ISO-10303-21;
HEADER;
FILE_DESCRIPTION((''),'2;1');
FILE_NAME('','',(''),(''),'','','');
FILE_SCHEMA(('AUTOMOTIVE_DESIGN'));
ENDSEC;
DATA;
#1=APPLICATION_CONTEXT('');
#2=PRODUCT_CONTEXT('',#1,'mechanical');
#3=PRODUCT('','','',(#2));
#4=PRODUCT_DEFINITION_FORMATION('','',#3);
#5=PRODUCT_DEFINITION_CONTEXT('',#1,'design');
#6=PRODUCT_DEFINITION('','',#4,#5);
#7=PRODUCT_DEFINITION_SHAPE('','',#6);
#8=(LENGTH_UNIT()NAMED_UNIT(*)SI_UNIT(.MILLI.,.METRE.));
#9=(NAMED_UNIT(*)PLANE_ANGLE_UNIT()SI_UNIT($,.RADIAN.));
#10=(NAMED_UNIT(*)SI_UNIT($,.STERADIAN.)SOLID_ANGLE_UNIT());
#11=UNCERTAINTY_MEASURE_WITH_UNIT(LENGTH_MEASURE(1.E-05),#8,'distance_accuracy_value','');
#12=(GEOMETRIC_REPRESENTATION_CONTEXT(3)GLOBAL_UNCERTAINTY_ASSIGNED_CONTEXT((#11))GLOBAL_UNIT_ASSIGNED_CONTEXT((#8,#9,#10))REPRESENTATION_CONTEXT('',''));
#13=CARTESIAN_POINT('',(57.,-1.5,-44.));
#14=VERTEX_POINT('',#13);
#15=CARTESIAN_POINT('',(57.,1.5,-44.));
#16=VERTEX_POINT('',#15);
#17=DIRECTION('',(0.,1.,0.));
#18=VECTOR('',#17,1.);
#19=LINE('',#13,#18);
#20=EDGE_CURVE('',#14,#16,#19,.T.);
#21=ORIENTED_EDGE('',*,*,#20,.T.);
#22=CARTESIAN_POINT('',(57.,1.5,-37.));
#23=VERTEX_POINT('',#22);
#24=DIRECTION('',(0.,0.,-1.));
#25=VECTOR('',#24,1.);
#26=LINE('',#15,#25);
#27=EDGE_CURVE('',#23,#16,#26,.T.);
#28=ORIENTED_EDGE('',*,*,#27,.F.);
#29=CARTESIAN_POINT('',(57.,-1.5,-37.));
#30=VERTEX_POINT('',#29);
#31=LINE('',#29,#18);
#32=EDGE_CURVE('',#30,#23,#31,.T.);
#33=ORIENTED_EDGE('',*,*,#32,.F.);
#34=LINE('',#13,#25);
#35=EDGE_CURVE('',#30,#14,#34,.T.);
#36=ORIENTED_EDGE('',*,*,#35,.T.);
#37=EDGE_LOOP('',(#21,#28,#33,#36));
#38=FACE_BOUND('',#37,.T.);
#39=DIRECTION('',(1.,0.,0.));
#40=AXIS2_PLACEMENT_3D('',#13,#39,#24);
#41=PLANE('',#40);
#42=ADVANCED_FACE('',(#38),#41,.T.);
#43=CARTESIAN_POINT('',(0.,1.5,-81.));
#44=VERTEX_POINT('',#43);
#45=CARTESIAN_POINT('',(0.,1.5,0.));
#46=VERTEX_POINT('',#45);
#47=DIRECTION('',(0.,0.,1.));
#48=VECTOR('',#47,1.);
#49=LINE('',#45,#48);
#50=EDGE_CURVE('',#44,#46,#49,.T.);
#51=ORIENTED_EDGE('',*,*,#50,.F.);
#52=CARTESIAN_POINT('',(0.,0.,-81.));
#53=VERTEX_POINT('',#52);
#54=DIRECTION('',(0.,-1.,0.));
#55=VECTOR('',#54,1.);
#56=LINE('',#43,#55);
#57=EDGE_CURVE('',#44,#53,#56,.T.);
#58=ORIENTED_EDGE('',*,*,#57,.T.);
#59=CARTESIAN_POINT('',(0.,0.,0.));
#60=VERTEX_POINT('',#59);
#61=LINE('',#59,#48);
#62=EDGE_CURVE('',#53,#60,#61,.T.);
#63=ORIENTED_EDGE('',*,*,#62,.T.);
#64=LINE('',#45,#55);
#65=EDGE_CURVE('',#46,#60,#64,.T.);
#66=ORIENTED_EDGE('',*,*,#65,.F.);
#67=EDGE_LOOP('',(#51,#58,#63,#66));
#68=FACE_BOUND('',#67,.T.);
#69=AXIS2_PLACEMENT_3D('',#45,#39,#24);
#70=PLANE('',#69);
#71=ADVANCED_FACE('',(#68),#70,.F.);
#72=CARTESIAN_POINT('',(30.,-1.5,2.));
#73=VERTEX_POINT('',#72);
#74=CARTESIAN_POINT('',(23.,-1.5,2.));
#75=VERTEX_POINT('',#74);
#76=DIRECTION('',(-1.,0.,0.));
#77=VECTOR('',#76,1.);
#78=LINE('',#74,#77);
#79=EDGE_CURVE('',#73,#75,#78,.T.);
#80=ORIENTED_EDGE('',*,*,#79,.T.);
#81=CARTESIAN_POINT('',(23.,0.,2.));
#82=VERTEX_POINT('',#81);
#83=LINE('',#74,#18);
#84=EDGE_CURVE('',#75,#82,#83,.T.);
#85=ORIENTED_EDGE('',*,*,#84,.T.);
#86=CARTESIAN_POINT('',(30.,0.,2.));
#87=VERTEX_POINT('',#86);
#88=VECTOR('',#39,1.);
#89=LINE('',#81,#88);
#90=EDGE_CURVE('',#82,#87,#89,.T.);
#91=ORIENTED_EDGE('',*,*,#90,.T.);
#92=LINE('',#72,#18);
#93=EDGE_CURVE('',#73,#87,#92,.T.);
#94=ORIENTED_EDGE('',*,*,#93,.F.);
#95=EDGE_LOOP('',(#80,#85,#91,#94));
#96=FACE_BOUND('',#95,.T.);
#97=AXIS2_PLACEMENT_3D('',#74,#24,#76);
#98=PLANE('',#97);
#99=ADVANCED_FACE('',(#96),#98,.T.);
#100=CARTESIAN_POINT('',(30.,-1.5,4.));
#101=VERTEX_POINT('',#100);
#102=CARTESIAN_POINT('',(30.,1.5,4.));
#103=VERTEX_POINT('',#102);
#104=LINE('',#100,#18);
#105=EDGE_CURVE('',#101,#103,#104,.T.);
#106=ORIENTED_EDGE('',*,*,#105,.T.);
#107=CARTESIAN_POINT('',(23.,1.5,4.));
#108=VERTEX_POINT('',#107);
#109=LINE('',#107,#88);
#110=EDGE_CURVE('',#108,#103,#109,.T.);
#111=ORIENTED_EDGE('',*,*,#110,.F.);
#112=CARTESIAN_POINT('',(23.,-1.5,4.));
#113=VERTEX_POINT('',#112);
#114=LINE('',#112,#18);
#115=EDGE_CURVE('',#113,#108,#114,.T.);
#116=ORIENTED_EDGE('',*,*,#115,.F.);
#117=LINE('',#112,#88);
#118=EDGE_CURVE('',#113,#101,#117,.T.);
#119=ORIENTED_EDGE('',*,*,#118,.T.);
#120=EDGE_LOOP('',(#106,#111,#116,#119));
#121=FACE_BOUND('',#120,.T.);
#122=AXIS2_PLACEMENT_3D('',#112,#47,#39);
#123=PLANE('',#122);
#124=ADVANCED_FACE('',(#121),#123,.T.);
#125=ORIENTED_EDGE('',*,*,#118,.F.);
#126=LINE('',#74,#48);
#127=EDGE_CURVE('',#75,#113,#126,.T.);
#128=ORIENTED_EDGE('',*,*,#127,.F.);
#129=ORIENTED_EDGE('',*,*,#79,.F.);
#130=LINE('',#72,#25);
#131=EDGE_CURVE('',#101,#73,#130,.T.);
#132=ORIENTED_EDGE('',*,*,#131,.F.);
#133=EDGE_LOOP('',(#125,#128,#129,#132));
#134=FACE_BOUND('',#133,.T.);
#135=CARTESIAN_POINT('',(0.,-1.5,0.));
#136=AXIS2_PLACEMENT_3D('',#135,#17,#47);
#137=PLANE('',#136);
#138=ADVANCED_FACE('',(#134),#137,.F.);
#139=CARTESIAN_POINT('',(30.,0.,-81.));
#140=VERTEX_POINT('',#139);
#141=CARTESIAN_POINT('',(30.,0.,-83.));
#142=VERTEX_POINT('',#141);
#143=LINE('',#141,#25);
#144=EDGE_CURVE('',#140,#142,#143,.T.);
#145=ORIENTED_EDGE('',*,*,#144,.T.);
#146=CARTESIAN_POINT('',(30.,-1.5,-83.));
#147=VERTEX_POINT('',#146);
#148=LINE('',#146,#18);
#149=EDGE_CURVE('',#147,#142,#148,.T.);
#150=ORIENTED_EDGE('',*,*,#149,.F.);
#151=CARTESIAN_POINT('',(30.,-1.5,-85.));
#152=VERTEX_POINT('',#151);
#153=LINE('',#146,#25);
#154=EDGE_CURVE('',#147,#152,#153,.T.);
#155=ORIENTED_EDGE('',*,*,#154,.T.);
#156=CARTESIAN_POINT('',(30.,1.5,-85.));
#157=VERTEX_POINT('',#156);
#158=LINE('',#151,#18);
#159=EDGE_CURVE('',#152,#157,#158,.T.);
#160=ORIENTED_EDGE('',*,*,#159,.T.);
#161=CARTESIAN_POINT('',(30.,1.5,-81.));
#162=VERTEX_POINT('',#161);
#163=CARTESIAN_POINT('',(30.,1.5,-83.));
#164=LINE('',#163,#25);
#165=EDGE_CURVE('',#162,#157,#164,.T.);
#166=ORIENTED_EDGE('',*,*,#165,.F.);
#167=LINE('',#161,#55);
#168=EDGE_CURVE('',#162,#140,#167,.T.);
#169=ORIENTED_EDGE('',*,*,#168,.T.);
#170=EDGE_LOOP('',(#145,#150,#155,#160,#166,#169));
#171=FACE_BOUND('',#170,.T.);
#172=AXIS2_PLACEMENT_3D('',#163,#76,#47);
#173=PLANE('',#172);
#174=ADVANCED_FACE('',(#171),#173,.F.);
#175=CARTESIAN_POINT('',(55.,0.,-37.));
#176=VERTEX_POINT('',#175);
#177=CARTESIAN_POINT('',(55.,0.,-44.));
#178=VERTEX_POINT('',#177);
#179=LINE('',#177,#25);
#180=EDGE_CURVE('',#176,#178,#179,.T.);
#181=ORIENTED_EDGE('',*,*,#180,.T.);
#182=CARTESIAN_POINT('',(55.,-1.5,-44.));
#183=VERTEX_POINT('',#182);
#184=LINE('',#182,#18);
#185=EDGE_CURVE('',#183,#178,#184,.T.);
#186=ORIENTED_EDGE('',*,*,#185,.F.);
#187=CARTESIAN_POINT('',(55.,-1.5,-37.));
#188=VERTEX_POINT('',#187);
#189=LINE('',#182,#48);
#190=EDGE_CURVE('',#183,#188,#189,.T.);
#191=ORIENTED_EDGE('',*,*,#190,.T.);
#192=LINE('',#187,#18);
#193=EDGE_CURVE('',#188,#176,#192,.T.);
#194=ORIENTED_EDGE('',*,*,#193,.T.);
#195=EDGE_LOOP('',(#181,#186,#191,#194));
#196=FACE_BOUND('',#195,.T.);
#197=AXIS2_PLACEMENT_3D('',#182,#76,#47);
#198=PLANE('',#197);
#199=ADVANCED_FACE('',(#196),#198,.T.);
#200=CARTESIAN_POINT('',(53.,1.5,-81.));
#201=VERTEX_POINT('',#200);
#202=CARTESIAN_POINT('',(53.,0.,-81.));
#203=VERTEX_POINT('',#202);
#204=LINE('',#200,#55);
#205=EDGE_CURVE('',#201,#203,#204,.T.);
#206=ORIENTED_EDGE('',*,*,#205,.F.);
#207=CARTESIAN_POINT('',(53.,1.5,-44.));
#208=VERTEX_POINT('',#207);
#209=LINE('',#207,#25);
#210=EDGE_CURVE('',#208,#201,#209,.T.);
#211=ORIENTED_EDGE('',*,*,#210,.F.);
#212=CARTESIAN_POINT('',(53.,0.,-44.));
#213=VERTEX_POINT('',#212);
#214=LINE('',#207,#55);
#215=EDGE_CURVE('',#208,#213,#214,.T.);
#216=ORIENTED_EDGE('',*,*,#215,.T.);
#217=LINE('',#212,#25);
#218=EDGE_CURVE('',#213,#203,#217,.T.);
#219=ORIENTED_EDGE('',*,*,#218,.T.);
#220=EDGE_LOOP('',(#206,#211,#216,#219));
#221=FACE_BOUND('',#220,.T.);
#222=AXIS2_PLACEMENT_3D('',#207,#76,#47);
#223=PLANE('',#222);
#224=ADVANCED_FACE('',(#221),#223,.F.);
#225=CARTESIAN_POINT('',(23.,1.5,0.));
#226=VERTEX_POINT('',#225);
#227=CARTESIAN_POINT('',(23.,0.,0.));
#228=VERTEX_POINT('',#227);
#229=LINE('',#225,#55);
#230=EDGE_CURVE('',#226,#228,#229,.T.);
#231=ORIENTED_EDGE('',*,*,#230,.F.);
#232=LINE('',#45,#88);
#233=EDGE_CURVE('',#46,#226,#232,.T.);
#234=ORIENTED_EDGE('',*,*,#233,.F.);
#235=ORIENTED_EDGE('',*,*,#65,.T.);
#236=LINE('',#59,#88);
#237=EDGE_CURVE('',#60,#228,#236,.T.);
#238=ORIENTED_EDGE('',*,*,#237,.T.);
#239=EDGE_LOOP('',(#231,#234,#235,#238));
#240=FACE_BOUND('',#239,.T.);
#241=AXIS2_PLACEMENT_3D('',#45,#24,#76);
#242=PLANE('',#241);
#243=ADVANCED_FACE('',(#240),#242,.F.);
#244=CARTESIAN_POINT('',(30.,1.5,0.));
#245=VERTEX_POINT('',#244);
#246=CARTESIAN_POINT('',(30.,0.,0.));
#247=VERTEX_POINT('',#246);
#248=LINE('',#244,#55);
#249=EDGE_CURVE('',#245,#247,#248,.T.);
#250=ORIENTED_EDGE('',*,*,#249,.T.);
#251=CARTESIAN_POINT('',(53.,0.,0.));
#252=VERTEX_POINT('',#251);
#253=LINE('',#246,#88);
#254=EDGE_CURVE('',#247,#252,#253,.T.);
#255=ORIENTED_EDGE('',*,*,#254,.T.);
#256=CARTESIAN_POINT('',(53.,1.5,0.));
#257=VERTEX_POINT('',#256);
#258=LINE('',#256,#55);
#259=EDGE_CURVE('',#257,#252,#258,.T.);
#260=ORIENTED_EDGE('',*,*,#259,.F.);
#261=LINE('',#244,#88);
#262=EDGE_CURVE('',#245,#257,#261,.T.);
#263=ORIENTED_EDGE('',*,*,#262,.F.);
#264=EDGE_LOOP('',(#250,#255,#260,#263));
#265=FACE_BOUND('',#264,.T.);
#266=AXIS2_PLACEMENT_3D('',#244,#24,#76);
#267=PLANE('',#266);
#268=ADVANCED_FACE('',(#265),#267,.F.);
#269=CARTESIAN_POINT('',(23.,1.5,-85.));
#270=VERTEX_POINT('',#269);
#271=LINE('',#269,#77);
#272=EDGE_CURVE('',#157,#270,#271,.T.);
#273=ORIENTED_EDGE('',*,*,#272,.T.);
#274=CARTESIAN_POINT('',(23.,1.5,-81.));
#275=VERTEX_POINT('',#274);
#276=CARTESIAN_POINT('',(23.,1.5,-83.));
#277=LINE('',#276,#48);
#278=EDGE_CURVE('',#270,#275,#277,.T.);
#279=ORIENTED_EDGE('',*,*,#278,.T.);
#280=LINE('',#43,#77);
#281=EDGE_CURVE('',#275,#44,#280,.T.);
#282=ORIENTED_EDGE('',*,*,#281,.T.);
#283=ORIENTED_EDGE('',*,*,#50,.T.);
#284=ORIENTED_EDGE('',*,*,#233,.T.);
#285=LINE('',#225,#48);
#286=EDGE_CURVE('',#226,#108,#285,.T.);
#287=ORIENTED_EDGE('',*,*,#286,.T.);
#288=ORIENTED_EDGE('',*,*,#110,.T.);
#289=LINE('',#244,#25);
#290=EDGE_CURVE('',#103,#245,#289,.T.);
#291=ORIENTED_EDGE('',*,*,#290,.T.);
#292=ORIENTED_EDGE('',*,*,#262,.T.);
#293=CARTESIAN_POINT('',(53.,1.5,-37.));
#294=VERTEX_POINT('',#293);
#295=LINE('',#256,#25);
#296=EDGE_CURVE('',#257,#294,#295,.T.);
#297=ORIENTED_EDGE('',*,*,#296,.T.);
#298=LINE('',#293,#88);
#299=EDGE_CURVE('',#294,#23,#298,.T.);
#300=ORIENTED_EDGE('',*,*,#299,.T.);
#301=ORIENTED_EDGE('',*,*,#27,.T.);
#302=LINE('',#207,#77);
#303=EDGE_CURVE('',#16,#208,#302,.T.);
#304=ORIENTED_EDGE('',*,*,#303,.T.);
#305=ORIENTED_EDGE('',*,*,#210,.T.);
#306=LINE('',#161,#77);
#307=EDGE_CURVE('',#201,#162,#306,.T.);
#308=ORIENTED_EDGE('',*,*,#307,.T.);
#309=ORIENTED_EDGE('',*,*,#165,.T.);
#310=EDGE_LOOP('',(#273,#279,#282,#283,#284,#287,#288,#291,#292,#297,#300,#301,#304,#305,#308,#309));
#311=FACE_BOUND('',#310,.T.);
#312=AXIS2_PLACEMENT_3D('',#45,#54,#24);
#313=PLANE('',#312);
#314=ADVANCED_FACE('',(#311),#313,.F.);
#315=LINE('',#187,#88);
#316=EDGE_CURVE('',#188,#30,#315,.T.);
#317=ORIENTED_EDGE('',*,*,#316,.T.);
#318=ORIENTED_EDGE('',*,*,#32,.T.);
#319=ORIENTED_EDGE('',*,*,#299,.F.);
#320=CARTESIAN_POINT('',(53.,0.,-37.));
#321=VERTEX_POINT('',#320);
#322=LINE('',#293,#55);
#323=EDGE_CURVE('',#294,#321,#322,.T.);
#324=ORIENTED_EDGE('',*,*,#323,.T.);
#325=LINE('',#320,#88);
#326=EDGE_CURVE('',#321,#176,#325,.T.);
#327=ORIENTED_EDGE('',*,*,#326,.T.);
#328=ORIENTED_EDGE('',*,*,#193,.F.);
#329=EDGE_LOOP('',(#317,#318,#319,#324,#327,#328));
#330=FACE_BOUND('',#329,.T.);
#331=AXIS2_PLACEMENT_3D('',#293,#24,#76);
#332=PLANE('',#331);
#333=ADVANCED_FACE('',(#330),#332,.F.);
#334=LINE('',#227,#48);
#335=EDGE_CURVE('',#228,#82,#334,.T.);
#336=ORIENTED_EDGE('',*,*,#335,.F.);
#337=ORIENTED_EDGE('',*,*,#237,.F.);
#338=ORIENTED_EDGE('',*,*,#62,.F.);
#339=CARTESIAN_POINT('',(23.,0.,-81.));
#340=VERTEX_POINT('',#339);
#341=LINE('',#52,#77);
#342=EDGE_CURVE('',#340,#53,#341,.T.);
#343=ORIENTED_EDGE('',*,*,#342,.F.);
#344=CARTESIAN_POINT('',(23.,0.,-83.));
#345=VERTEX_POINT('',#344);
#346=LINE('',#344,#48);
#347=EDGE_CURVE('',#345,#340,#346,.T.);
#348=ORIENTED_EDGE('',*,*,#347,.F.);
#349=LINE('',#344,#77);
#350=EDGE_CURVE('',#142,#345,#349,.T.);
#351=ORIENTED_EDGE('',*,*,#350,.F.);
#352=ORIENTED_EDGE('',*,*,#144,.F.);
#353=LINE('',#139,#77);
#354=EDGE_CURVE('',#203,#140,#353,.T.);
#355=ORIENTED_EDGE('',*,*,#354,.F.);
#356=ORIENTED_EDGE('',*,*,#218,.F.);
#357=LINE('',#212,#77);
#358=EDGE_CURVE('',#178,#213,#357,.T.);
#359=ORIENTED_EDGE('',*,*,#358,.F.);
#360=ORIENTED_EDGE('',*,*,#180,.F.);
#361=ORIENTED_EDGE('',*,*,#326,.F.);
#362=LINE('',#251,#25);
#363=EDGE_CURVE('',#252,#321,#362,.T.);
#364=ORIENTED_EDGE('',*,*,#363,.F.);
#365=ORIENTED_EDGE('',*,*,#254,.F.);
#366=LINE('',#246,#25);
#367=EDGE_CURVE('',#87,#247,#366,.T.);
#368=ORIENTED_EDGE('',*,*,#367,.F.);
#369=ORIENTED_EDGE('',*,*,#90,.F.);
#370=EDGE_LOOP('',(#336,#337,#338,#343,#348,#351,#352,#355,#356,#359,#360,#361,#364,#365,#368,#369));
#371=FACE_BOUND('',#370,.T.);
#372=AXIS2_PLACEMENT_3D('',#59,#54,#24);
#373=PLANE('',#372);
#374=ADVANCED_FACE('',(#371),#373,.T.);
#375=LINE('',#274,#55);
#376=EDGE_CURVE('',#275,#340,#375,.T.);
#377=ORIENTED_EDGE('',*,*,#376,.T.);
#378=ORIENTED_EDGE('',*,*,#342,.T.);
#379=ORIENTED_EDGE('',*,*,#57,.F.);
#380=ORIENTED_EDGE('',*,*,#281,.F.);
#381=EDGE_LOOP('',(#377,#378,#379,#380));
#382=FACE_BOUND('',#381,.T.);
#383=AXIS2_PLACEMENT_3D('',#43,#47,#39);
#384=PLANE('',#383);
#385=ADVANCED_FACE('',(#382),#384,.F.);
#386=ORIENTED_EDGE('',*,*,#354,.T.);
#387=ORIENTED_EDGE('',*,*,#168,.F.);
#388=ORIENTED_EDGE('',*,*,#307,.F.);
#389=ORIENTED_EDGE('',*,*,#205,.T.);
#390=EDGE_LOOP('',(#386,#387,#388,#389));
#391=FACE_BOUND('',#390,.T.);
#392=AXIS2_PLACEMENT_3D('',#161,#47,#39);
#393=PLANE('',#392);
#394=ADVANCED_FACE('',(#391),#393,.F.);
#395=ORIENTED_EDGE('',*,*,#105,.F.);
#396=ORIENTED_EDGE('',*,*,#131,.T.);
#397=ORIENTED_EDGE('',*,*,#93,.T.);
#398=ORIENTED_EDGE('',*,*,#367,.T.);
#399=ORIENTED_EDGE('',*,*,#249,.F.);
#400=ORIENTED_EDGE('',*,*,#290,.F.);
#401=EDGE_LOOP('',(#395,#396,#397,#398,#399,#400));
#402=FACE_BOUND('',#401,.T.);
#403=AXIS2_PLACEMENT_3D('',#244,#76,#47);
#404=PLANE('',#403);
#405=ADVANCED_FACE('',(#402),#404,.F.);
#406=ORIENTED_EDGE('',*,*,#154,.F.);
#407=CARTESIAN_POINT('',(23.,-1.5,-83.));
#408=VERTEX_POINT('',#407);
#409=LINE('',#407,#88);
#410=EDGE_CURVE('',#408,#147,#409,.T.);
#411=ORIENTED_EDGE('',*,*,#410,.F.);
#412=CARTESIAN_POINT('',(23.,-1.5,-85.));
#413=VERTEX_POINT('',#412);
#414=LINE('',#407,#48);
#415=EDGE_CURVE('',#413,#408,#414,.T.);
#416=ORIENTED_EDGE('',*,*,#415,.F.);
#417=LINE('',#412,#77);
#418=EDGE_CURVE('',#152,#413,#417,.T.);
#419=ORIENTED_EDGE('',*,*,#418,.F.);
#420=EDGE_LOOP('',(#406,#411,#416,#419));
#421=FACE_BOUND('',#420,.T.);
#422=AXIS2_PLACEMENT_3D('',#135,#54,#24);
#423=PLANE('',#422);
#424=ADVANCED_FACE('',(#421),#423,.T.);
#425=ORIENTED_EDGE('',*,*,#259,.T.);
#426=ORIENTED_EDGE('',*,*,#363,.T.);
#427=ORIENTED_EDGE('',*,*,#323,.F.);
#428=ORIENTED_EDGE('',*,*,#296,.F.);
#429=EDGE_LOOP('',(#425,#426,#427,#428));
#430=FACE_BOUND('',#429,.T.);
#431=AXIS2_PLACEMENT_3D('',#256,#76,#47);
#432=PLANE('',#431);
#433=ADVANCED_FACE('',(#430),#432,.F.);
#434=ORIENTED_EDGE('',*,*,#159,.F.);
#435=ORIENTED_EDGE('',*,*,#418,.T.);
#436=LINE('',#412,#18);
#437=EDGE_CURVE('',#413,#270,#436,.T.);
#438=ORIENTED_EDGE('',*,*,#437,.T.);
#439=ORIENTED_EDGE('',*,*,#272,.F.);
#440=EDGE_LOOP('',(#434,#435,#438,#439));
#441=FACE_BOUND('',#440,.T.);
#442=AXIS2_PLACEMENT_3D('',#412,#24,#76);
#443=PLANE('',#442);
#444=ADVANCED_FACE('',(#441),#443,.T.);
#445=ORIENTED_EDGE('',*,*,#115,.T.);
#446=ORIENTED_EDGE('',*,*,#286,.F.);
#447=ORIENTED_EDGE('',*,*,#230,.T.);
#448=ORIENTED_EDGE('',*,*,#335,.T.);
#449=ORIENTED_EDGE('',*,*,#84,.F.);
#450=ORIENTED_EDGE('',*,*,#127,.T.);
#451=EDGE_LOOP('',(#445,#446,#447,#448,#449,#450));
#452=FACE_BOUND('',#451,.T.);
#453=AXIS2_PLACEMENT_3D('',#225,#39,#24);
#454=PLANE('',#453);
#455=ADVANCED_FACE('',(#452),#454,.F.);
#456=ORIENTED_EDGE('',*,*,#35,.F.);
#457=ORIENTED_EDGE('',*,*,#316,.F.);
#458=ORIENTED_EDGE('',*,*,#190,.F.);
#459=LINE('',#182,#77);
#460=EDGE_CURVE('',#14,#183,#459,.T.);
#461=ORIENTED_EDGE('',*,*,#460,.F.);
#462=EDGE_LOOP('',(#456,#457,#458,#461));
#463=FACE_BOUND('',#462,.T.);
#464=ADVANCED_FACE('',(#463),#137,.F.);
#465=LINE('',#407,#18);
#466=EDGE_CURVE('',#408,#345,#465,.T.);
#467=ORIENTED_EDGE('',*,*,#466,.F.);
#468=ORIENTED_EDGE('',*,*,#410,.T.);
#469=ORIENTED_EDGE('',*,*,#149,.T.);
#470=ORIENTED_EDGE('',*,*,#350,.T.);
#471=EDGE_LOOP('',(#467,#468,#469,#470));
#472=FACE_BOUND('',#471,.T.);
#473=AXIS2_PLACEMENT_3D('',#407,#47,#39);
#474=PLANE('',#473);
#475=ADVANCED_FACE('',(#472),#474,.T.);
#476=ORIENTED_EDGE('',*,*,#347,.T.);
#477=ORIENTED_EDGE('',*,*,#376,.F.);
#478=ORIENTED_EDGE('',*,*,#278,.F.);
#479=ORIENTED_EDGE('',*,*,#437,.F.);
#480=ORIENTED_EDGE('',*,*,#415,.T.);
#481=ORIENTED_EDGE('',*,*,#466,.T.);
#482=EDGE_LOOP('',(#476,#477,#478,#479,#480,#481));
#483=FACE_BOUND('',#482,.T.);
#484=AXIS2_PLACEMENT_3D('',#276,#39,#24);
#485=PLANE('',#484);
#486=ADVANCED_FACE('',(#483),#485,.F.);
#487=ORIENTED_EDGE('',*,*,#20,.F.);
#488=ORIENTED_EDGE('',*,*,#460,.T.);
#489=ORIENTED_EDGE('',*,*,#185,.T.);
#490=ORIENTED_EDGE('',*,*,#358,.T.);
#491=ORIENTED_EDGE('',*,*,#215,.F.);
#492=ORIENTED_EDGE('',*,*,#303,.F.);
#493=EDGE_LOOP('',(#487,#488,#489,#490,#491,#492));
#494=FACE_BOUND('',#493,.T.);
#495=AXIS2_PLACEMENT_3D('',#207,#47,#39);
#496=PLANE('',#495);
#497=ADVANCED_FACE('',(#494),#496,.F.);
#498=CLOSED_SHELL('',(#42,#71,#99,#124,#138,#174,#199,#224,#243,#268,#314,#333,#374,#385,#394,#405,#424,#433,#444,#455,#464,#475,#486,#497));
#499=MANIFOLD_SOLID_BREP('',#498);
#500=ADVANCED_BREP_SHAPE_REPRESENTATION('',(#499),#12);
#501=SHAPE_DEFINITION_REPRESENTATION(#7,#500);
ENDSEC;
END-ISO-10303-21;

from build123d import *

# Parameters (mm, degrees)
BOSS_EXTRUDE1_DEPTH = 1.5
SKETCH2_W           = 7
SKETCH2_H           = 2
SKETCH2_W_2         = 2
SKETCH2_H_2         = 7
BOSS_EXTRUDE2_DEPTH = 3


with BuildPart() as part:
    # Sketch1 → Boss-Extrude1 (new body)
    with BuildSketch(Plane(origin=(0, 0, 0), x_dir=(1, 0, 0), z_dir=(0, 1, 0))):
        Polygon((30, 81), (53, 81), (53, 44), (55, 44), (55, 37), (53, 37), (53, 0), (30, 0), (30, -2), (23, -2), (23, 0), (0, 0), (0, 81), (23, 81), (23, 83), (30, 83), align=None)
    extrude(amount=BOSS_EXTRUDE1_DEPTH)

    # Sketch2 → Boss-Extrude2 (add)
    with BuildSketch(Plane(origin=(0, 1.5, 0), x_dir=(1, 0, 0), z_dir=(0, 1, 0))):
        with Locations((26.5, 84)):
            Rectangle(SKETCH2_W, SKETCH2_H)
        with Locations((56, 40.5)):
            Rectangle(SKETCH2_W_2, SKETCH2_H_2)
        with Locations((26.5, -3)):
            Rectangle(SKETCH2_W, SKETCH2_H)
    extrude(amount=-BOSS_EXTRUDE2_DEPTH)


solid = part.part
